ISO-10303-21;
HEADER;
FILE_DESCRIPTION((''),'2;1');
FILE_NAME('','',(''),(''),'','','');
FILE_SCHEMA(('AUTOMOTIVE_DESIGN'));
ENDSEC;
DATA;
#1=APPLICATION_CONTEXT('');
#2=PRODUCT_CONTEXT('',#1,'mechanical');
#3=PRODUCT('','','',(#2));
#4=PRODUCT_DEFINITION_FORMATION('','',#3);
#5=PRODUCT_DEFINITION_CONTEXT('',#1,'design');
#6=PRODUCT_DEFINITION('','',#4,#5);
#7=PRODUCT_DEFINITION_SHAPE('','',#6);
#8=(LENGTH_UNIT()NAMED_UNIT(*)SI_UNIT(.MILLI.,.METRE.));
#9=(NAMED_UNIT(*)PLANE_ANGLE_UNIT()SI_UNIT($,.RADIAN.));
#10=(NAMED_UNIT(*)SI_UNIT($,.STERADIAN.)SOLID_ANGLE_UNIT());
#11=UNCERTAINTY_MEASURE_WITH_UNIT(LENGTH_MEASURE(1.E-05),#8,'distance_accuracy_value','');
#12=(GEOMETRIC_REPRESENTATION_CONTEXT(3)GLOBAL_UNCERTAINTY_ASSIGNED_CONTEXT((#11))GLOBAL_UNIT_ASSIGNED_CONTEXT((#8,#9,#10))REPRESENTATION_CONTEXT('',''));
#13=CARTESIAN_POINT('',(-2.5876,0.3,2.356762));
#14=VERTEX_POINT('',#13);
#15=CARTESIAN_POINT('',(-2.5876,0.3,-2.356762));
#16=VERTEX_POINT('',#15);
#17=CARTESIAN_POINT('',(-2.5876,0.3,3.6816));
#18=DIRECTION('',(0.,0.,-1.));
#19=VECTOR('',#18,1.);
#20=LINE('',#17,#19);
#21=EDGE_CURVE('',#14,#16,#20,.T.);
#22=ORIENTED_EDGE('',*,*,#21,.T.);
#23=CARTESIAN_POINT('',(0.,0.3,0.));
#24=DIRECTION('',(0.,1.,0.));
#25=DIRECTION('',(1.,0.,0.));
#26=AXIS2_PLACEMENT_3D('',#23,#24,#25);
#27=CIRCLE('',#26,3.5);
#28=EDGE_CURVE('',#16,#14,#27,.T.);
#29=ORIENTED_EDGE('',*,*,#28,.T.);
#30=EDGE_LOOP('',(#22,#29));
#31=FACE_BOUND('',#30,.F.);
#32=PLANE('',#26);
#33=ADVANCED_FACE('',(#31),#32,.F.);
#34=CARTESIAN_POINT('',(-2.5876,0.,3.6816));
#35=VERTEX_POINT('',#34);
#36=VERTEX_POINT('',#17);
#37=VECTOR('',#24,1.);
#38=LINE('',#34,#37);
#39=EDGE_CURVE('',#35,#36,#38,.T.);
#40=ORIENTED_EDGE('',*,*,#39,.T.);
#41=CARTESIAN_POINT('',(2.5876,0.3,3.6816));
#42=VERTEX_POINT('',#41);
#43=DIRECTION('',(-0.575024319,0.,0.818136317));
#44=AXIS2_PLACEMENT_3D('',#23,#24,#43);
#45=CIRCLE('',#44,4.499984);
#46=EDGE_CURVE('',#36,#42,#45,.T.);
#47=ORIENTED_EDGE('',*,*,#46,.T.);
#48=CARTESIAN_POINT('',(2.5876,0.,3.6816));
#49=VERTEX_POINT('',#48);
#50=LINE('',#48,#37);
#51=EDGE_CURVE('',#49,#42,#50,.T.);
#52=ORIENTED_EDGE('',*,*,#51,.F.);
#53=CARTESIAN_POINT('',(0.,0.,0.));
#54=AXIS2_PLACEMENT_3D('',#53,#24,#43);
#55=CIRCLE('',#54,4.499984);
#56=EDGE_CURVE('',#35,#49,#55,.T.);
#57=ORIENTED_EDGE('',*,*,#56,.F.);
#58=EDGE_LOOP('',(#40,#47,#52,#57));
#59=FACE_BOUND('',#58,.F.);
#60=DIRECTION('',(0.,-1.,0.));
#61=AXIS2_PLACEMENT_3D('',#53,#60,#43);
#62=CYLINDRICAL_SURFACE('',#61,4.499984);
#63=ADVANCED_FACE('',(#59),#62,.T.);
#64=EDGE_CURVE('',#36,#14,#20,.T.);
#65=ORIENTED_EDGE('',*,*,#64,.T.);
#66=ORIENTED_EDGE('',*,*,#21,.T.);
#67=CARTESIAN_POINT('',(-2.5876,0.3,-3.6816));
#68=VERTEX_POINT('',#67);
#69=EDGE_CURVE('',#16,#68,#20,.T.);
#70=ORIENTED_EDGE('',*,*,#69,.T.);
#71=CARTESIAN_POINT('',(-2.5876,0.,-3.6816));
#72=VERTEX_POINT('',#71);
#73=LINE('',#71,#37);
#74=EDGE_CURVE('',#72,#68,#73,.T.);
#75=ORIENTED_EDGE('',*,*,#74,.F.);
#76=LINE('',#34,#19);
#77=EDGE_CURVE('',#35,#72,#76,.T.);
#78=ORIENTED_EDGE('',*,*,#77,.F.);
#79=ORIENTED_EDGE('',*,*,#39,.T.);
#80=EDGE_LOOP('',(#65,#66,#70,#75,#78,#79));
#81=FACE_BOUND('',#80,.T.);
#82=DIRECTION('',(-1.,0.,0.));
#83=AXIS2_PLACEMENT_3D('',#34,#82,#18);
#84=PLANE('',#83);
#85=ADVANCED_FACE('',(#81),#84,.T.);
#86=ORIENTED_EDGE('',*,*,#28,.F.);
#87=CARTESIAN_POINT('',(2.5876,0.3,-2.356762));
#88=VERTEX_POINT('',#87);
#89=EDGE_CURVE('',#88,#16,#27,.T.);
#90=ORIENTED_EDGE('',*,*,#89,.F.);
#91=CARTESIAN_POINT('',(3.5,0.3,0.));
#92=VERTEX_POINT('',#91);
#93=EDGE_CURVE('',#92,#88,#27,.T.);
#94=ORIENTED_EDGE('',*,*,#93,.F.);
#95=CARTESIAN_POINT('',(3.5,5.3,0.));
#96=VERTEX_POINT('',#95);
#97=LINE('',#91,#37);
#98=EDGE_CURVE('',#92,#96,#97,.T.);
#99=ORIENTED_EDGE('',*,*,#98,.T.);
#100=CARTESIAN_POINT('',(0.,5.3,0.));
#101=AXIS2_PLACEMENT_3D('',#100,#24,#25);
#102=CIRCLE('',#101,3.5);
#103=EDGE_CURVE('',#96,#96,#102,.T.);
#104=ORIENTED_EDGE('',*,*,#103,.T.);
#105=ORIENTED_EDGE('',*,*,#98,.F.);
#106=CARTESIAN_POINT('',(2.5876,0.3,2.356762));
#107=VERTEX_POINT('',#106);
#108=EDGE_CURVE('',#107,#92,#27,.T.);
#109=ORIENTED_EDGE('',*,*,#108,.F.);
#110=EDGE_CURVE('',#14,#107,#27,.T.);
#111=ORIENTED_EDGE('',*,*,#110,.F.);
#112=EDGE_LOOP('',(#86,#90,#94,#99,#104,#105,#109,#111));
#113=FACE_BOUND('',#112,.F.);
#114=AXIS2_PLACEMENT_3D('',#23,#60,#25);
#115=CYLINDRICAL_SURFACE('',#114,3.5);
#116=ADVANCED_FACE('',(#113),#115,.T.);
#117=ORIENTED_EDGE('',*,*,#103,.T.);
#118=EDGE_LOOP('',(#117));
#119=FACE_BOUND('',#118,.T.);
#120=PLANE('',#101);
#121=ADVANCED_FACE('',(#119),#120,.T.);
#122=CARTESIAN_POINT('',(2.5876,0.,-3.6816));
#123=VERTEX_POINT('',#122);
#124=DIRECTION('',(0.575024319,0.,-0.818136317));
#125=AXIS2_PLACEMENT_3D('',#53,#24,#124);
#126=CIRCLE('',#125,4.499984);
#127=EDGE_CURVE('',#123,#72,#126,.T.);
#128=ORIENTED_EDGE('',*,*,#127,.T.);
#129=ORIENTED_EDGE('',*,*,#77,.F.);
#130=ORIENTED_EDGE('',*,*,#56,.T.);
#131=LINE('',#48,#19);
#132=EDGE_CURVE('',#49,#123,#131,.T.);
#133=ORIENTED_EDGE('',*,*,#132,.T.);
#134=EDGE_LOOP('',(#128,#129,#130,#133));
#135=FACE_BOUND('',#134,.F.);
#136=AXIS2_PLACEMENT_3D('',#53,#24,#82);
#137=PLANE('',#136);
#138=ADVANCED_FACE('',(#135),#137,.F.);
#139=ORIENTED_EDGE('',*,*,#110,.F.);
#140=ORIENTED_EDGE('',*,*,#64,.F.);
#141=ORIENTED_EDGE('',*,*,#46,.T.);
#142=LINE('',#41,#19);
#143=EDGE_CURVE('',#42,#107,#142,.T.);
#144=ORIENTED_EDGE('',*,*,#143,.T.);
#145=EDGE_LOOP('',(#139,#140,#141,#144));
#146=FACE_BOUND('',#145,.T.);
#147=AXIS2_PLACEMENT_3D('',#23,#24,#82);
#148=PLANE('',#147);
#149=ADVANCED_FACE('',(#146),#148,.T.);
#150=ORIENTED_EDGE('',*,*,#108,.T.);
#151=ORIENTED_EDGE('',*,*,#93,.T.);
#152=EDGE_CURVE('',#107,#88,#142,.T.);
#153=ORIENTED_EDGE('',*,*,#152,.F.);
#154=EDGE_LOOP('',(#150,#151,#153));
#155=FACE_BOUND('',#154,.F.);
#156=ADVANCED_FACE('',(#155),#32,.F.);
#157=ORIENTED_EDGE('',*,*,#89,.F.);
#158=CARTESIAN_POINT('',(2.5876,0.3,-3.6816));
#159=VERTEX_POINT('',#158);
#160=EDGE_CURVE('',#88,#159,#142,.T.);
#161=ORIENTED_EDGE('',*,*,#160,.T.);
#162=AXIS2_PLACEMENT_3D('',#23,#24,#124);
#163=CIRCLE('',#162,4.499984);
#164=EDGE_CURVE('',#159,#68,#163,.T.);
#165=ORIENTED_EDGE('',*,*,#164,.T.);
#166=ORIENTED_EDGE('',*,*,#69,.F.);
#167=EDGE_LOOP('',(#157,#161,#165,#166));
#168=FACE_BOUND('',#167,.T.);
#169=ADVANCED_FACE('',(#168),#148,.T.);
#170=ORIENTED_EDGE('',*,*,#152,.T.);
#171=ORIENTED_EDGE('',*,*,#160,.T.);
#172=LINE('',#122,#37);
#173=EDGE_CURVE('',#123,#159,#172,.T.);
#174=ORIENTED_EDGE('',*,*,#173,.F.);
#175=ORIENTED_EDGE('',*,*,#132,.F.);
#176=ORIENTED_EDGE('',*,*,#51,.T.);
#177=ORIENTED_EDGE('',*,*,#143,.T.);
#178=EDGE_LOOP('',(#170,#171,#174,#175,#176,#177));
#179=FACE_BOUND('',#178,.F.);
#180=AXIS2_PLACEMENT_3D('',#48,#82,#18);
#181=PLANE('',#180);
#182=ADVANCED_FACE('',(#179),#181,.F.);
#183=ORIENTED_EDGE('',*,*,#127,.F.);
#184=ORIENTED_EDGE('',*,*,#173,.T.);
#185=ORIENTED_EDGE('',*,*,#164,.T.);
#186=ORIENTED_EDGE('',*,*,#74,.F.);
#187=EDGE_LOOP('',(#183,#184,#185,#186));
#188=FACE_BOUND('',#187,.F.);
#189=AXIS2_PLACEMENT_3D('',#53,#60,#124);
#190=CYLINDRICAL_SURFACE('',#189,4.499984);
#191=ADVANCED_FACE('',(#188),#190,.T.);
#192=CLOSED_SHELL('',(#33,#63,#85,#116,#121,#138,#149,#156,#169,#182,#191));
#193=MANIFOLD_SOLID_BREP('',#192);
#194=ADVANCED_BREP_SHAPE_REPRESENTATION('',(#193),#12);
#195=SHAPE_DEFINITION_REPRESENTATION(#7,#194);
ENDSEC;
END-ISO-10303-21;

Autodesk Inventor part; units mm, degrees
ref_plane "YZ Plane" through (0, 0, 0) normal (1, 0, 0) x (0, 1, 0)
ref_plane "XZ Plane" through (0, 0, 0) normal (0, 1, 0) x (-1, 0, 0)
ref_plane "XY Plane" through (0, 0, 0) normal (0, 0, 1) x (1, 0, 0)
sketch "Esboço1" plane through (0, 0, 0) normal (0, 1, 0) x (-1, 0, 0)
  line L0 (2.5876, 3.6816) -> (2.5876, -3.6816)
  line L1 (-2.5876, 3.6816) -> (-2.5876, -3.6816)
  arc A0 (2.5876, 3.6816) -> (-2.5876, 3.6816) centre (0, 0) ccw
  arc A1 (-2.5876, -3.6816) -> (2.5876, -3.6816) centre (0, 0) ccw
extrude "Extrusão1" add sketch "Esboço1" along normal blind 0.3
sketch "Esboço2" plane through (0, 0.3, 0) normal (0, 1, 0) x (1, 0, 0)
  circle A0 centre (0, 0) radius 3.5
  dimension "d3" = 7
extrude "Extrusão2" add sketch "Esboço2" along normal blind 5
properties part number "button"
